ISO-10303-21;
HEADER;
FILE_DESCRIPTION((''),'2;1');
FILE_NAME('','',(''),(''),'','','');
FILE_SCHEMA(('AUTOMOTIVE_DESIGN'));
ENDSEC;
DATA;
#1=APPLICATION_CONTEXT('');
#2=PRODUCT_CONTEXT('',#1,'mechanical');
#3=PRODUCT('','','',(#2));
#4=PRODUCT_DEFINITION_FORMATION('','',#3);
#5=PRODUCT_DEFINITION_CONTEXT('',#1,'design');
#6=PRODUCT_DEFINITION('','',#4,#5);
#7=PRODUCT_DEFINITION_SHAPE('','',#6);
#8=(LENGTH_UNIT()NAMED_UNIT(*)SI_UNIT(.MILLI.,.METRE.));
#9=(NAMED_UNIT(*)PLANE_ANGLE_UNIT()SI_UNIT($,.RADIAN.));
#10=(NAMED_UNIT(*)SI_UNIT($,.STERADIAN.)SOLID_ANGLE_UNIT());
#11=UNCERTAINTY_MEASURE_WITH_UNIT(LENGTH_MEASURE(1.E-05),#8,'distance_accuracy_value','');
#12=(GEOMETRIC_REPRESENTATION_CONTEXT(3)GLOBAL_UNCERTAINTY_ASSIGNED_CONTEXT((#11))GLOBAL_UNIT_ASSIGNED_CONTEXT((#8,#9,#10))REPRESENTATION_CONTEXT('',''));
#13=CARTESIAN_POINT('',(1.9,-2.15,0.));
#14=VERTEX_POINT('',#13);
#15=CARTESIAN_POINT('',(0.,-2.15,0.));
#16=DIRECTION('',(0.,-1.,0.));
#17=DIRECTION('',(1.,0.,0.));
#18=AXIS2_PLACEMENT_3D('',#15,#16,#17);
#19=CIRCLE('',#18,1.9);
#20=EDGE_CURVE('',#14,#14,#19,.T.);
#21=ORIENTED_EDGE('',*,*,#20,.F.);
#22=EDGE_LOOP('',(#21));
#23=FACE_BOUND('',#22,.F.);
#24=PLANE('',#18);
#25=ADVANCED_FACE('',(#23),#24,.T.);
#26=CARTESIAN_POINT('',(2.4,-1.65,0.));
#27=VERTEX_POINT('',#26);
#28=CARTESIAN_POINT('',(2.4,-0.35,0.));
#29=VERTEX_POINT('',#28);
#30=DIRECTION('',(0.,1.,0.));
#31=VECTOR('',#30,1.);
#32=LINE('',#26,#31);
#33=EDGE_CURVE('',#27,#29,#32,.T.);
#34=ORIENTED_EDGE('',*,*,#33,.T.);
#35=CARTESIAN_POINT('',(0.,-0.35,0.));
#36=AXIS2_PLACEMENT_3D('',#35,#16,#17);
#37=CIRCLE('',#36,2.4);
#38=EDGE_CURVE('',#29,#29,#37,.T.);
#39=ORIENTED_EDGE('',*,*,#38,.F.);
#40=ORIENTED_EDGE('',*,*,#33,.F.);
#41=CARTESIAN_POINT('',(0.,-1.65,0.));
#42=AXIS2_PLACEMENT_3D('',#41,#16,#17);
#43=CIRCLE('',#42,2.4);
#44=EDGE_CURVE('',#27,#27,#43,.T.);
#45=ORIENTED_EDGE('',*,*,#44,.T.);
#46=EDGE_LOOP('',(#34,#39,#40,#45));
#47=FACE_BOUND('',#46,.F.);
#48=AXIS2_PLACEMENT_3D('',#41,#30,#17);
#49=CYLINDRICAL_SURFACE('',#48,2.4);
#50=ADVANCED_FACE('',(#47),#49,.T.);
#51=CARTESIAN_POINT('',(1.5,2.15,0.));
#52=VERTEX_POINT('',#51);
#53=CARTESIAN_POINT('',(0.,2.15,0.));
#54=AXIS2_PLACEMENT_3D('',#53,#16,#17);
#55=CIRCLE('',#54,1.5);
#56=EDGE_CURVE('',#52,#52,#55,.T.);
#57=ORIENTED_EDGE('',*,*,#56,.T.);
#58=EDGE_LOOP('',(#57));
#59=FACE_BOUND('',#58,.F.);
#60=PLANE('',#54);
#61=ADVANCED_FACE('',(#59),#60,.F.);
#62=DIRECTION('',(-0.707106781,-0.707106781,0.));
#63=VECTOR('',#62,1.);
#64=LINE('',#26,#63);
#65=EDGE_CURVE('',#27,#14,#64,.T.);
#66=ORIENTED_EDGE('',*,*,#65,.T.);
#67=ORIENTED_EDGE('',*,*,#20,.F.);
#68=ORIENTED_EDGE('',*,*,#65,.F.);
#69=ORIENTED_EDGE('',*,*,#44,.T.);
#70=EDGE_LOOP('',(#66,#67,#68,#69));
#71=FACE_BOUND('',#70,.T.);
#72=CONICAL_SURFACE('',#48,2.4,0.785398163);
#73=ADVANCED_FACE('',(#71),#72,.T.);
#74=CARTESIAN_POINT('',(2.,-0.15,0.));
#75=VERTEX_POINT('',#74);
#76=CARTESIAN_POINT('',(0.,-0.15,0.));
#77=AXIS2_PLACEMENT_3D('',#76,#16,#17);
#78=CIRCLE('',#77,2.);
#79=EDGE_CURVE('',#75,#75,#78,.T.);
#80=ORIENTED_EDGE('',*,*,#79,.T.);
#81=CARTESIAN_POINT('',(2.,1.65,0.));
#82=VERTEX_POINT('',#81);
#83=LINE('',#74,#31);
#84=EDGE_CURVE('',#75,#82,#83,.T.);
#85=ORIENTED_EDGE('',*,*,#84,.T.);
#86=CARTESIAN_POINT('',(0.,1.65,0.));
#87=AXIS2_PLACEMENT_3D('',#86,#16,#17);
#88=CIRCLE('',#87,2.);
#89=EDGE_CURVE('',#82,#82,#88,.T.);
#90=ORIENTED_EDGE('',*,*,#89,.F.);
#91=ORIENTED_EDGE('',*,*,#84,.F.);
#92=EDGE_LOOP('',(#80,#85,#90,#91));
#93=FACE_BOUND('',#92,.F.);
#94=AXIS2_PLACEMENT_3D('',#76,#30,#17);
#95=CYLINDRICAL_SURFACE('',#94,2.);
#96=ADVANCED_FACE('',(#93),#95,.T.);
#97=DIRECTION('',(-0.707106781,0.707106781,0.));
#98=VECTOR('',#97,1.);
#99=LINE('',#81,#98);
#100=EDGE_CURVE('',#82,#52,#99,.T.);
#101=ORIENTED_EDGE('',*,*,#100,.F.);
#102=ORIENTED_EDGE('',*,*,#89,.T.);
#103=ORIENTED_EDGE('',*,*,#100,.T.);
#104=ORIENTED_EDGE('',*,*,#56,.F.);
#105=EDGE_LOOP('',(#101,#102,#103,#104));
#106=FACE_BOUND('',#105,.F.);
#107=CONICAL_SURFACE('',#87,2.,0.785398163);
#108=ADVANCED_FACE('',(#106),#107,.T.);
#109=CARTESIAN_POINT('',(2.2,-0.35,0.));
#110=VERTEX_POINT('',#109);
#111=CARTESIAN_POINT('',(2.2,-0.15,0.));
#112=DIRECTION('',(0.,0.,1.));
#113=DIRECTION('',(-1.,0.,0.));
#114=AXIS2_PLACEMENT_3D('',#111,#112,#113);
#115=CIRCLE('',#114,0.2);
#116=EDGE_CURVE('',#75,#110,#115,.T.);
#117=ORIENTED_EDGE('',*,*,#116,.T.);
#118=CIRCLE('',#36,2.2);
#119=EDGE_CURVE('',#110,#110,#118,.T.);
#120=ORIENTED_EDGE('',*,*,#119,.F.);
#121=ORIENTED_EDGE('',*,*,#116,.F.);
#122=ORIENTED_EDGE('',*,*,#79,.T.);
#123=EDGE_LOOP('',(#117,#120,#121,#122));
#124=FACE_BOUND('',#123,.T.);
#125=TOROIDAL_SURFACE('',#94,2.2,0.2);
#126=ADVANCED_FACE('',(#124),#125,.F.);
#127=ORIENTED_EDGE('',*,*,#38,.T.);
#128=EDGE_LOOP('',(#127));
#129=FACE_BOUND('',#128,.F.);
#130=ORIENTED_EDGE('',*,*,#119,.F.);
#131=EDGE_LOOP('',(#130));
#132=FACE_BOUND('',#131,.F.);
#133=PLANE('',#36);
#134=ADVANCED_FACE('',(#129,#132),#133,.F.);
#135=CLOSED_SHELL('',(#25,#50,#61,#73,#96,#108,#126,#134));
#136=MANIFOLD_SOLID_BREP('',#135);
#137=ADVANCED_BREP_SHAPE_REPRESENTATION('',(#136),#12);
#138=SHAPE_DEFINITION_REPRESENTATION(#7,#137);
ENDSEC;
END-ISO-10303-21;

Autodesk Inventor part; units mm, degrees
ref_plane "YZ Plane" through (0, 0, 0) normal (1, 0, 0) x (0, 1, 0)
ref_plane "XZ Plane" through (0, 0, 0) normal (0, 1, 0) x (-1, 0, 0)
ref_plane "XY Plane" through (0, 0, 0) normal (0, 0, 1) x (1, 0, 0)
sketch "Эскиз1" plane through (0, 0, 0) normal (0, 0, 1) x (1, 0, 0)
  line L0 (0, 2.15) -> (0, -2.15)
  line L1 (0, -2.15) -> (1.9, -2.15)
  line L2 (2.4, -1.65) -> (2.4, -0.35)
  line L3 (2.4, -0.35) -> (2.2, -0.35)
  line L4 (2, -0.15) -> (2, 1.65)
  line L5 (1.5, 2.15) -> (0, 2.15)
  line L6 (2.4, -1.65) -> (1.9, -2.15)
  line L7 (2, 1.65) -> (1.5, 2.15)
  arc A0 (2, -0.15) -> (2.2, -0.35) centre (2.2, -0.15) ccw
  point P0 (0, 0)
  point P1 (0, 0)
  point P2 (2.4, -2.15)
  point P3 (2, 2.15)
  dimension "d0" = 4.3
  dimension "d1" = 4.8
  dimension "d2" = 4
  dimension "d3" = 1.8
  dimension "d4" = 0.5
  dimension "d5" = 45
  dimension "d6" = 0.5
  dimension "d7" = 45
  dimension "d8" = 0.2
revolve "Вращение1" add sketch "Эскиз1" angle 360 about axis through (0, 2.15, 0) along (0, -1, 0)
equation "\"d6\" = d4"
equation "\"d7\" = d5"
properties part number "68. Стопор втулки"
